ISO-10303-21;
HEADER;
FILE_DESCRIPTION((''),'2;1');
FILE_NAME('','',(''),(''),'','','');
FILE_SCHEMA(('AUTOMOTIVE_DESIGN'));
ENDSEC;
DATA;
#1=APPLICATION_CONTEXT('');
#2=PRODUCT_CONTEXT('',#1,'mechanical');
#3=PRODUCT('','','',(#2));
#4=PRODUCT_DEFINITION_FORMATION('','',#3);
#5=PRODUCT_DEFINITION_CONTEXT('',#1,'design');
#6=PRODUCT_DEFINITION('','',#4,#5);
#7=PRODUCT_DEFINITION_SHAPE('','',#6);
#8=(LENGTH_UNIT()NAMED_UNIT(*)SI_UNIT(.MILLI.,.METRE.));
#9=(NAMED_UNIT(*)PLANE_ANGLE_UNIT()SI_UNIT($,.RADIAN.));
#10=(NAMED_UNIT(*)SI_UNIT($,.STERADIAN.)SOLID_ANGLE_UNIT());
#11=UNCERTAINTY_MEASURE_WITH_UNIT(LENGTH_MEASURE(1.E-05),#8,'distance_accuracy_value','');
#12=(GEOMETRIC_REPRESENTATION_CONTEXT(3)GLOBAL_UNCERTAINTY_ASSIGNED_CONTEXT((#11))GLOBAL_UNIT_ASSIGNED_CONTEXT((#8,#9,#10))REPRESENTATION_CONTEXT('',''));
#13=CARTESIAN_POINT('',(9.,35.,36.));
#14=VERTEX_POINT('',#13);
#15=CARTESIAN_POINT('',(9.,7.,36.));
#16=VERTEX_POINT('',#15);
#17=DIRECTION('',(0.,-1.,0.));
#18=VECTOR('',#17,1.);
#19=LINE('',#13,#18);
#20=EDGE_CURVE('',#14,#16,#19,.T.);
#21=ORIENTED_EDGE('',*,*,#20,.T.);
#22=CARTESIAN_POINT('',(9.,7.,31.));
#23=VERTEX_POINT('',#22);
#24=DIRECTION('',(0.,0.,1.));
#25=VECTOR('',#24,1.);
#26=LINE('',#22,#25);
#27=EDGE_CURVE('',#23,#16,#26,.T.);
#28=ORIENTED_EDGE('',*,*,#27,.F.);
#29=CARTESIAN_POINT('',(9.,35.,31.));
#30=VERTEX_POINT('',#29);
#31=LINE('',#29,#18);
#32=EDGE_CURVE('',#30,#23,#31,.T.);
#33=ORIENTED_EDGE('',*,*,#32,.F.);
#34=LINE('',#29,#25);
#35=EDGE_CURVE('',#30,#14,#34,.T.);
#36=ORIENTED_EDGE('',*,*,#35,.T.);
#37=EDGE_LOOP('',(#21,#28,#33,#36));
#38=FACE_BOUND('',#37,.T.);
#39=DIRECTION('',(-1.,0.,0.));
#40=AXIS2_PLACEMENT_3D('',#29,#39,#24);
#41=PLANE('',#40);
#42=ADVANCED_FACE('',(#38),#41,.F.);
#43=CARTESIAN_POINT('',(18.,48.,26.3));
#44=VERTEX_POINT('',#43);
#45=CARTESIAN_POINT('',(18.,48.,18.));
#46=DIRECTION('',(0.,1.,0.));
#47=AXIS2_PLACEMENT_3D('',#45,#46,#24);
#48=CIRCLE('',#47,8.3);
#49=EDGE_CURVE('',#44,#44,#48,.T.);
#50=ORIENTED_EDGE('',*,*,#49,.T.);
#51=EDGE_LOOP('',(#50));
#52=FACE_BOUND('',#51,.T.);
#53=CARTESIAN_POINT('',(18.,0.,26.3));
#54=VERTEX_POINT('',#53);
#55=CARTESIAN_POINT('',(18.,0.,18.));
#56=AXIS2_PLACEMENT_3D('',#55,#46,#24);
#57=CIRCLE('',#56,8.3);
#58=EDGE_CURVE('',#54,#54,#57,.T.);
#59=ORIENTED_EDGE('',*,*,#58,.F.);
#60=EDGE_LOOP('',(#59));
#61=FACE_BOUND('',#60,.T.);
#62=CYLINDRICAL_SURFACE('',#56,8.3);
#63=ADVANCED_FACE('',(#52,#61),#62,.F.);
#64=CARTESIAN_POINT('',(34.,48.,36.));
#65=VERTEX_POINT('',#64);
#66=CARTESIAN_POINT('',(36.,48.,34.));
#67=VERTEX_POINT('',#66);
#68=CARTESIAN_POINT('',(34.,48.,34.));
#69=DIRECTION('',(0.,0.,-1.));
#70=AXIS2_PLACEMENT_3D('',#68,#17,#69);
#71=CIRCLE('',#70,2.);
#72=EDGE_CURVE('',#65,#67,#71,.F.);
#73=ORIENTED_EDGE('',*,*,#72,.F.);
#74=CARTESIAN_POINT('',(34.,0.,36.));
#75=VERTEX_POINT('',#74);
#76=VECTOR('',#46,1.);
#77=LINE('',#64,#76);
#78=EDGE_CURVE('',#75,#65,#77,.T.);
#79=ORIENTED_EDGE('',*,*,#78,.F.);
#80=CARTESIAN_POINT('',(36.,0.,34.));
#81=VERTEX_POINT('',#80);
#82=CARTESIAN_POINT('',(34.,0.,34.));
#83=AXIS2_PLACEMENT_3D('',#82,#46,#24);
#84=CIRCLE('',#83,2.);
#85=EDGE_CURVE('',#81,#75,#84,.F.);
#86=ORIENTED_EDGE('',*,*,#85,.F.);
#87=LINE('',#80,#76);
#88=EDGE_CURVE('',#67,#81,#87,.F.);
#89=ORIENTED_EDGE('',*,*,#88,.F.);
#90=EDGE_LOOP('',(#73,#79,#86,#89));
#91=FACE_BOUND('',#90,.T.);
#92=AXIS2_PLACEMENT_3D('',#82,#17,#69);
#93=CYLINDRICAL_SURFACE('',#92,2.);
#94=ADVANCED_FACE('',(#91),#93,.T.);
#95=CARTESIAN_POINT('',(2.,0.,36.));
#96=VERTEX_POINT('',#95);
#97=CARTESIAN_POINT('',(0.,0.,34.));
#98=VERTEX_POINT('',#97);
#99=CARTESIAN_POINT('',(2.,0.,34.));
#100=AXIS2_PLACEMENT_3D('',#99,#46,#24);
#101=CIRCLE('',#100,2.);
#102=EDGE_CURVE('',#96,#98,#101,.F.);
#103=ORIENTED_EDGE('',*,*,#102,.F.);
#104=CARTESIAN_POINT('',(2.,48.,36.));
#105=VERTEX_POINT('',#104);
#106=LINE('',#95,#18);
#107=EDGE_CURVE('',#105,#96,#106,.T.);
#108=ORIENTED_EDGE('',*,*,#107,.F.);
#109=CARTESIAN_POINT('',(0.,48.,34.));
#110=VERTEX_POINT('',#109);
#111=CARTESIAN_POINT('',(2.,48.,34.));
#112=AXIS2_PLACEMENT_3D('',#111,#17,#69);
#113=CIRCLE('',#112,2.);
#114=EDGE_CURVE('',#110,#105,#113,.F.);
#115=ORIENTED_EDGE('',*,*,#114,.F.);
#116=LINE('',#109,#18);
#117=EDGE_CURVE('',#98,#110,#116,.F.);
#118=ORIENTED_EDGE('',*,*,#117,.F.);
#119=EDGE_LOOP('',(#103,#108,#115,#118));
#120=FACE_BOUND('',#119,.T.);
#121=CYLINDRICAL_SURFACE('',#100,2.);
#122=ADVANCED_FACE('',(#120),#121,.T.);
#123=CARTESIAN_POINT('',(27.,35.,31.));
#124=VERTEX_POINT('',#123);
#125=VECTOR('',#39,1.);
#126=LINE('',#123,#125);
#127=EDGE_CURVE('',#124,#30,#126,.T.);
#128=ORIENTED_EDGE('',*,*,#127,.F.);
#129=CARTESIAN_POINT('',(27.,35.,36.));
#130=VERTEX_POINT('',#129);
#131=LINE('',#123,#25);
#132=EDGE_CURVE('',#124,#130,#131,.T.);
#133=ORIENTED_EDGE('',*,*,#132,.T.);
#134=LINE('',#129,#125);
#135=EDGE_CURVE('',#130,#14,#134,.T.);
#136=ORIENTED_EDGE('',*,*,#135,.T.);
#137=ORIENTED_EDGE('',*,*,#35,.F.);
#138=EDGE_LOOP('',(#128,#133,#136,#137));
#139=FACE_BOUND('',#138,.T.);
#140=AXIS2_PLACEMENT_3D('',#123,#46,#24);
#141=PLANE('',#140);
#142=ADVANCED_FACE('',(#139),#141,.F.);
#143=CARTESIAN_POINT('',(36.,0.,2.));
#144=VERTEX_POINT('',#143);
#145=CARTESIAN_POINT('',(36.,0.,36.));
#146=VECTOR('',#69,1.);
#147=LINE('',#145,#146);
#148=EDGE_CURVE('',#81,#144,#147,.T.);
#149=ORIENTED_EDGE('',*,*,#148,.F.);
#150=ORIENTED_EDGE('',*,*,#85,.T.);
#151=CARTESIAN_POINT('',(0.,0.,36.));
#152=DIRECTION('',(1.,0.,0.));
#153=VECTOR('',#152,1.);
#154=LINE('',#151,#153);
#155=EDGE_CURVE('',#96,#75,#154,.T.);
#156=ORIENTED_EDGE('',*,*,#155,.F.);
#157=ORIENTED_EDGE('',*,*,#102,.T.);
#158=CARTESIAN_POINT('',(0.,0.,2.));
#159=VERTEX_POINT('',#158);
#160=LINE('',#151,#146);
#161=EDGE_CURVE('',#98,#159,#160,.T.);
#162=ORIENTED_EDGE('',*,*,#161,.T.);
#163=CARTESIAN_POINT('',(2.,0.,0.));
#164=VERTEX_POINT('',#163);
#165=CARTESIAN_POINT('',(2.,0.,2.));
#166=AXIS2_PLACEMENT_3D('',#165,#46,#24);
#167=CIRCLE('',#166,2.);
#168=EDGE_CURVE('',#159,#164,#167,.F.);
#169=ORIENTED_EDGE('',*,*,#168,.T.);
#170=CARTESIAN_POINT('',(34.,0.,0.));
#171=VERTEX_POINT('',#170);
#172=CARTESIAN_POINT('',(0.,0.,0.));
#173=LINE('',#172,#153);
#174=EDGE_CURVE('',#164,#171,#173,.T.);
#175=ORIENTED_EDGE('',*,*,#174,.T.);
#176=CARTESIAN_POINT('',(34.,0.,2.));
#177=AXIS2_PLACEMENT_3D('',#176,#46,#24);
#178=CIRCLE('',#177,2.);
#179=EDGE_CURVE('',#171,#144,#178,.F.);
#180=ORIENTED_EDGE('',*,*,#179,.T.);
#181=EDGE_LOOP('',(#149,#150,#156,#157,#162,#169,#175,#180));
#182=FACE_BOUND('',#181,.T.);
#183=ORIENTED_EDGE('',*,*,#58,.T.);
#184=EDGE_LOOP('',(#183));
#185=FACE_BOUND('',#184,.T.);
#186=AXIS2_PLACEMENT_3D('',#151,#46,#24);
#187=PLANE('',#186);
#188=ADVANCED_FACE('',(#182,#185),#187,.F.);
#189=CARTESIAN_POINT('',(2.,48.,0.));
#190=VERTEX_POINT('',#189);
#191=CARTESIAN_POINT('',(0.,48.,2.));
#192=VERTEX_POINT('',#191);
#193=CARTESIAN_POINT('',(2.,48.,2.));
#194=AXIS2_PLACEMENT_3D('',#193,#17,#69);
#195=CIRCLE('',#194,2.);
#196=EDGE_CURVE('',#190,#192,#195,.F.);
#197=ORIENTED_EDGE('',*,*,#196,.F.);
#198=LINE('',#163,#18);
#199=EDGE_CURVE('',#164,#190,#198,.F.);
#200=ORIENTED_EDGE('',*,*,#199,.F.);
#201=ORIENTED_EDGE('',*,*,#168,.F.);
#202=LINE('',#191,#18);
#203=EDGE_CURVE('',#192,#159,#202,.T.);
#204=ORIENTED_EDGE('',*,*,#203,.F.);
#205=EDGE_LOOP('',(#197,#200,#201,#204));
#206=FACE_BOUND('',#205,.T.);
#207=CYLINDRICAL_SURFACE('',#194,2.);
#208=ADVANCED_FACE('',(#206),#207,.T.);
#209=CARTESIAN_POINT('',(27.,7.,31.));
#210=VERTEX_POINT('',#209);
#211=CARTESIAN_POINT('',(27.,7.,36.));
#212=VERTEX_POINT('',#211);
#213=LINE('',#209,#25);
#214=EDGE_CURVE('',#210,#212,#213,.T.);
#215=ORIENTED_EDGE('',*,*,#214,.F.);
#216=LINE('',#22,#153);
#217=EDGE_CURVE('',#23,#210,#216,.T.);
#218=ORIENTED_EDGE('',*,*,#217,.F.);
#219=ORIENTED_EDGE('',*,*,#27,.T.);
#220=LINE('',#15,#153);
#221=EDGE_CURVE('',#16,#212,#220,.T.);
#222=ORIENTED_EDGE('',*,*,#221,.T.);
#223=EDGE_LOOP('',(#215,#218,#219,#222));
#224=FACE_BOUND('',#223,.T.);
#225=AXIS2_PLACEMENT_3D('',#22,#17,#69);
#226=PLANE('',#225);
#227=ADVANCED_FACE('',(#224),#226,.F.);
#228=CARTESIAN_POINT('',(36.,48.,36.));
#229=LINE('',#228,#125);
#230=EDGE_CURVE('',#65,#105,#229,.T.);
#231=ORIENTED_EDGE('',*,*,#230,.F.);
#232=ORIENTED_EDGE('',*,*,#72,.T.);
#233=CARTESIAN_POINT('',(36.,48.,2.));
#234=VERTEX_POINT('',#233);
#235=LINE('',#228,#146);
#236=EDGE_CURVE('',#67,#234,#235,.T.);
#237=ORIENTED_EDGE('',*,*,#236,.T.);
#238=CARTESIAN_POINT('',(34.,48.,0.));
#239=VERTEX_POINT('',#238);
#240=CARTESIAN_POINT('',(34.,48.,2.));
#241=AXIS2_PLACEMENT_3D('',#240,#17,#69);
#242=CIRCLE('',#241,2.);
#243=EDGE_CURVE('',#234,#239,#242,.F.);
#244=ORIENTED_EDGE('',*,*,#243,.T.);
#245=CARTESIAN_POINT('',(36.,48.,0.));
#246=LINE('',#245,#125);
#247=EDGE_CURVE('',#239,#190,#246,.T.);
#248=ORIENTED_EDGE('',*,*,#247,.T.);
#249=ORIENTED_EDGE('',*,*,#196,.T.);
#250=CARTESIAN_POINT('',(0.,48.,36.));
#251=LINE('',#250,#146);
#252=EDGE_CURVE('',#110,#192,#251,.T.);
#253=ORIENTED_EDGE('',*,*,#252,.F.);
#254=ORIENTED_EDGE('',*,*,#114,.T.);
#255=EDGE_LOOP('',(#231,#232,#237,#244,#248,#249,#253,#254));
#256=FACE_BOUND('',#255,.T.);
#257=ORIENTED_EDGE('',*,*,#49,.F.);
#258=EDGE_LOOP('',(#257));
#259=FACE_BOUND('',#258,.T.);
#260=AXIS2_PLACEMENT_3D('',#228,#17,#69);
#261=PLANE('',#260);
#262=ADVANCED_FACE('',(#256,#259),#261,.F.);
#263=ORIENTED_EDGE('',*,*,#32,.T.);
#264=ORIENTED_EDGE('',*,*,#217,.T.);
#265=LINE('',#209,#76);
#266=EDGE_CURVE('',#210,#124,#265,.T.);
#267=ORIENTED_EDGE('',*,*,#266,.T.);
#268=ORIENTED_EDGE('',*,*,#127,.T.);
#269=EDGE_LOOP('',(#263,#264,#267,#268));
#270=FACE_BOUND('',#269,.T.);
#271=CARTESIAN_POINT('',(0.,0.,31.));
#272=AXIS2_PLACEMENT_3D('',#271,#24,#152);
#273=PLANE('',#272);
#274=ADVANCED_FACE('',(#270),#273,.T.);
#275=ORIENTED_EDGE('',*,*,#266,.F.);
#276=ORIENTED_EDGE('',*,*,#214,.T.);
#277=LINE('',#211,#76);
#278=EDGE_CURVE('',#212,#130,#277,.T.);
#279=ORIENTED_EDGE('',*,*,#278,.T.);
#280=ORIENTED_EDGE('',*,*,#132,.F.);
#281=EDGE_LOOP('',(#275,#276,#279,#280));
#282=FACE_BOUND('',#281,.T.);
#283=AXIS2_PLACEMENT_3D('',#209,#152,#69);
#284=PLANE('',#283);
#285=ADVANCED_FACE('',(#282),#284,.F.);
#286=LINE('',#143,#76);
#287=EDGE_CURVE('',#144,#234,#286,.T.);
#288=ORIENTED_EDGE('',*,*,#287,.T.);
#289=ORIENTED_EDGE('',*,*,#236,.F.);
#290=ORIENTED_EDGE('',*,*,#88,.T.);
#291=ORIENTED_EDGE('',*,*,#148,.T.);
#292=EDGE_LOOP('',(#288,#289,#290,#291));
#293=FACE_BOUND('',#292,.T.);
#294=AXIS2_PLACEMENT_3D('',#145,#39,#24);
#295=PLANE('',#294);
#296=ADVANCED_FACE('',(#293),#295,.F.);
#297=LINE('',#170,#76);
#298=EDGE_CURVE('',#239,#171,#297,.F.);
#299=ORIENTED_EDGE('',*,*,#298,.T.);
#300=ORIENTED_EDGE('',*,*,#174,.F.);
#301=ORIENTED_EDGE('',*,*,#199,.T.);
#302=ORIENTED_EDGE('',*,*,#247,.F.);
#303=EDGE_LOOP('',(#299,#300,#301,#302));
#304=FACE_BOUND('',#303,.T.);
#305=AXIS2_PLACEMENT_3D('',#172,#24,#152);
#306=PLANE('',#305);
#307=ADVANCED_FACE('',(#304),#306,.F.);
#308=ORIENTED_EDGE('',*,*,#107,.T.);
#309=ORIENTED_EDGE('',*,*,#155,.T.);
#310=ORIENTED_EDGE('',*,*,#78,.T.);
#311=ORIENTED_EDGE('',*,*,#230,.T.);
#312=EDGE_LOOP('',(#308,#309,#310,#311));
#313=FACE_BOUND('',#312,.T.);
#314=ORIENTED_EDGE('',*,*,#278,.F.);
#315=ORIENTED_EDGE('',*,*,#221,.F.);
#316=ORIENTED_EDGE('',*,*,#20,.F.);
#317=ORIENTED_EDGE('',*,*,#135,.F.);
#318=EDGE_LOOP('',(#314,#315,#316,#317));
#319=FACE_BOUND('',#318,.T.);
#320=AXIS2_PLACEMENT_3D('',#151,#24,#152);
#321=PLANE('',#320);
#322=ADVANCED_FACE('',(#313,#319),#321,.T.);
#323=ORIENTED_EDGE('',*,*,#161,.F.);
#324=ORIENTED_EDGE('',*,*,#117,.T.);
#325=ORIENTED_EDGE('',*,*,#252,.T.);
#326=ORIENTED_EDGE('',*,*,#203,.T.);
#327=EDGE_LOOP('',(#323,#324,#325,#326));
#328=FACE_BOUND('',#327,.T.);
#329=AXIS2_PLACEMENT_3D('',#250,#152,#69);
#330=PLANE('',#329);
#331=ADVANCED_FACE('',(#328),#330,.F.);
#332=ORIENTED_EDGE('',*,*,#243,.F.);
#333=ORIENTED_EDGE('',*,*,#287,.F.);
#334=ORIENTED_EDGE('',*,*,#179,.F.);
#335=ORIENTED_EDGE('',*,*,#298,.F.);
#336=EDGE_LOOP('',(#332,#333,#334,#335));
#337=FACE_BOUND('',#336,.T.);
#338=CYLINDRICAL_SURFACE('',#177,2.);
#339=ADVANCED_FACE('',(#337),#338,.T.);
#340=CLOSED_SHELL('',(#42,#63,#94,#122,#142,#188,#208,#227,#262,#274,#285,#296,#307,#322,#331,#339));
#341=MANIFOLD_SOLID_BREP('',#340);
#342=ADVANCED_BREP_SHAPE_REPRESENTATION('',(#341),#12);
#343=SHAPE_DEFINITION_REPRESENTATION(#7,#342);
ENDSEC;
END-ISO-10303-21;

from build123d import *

# Parameters (mm, degrees)
SKETCH_1_W          = 36
SKETCH_1_H          = 48
LIFT_CARRIAGE_DEPTH = 36
FILLET_2_R          = 2
SKETCH_2_W          = 18
SKETCH_2_H          = 28
FRONT_RECESS_DEPTH  = 5
SKETCH_3_R          = 8.3
SCREW_PASSAGE_DEPTH = 70.971422738


with BuildPart() as part:
    # 草图1 → Lift_carriage (new body)
    with BuildSketch(Plane.XY):
        with Locations((18, 24)):
            Rectangle(SKETCH_1_W, SKETCH_1_H)
    extrude(amount=LIFT_CARRIAGE_DEPTH)

    # Fillet 2
    fillet_2_edges = [part.edges().sort_by_distance(p)[0] for p in [
        (36, 24, 36),
        (0, 24, 36),
        (36, 24, 0),
        (0, 24, 0),
    ]]
    fillet(fillet_2_edges, radius=FILLET_2_R)

    # 草图2 → Front_recess (cut)
    with BuildSketch(Plane.XY.offset(36)):
        with Locations((18, 21)):
            Rectangle(SKETCH_2_W, SKETCH_2_H)
    extrude(amount=-FRONT_RECESS_DEPTH, mode=Mode.SUBTRACT)

    # 草图3 → Screw_passage (cut, through all)
    with BuildSketch(Plane(origin=(0, 48, 0), x_dir=(1, 0, 0), z_dir=(0, 1, 0))):
        with Locations(Location((18, -18, 0), (0, 0, 270))):
            Circle(SKETCH_3_R)
    extrude(amount=-SCREW_PASSAGE_DEPTH, mode=Mode.SUBTRACT)


solid = part.part
